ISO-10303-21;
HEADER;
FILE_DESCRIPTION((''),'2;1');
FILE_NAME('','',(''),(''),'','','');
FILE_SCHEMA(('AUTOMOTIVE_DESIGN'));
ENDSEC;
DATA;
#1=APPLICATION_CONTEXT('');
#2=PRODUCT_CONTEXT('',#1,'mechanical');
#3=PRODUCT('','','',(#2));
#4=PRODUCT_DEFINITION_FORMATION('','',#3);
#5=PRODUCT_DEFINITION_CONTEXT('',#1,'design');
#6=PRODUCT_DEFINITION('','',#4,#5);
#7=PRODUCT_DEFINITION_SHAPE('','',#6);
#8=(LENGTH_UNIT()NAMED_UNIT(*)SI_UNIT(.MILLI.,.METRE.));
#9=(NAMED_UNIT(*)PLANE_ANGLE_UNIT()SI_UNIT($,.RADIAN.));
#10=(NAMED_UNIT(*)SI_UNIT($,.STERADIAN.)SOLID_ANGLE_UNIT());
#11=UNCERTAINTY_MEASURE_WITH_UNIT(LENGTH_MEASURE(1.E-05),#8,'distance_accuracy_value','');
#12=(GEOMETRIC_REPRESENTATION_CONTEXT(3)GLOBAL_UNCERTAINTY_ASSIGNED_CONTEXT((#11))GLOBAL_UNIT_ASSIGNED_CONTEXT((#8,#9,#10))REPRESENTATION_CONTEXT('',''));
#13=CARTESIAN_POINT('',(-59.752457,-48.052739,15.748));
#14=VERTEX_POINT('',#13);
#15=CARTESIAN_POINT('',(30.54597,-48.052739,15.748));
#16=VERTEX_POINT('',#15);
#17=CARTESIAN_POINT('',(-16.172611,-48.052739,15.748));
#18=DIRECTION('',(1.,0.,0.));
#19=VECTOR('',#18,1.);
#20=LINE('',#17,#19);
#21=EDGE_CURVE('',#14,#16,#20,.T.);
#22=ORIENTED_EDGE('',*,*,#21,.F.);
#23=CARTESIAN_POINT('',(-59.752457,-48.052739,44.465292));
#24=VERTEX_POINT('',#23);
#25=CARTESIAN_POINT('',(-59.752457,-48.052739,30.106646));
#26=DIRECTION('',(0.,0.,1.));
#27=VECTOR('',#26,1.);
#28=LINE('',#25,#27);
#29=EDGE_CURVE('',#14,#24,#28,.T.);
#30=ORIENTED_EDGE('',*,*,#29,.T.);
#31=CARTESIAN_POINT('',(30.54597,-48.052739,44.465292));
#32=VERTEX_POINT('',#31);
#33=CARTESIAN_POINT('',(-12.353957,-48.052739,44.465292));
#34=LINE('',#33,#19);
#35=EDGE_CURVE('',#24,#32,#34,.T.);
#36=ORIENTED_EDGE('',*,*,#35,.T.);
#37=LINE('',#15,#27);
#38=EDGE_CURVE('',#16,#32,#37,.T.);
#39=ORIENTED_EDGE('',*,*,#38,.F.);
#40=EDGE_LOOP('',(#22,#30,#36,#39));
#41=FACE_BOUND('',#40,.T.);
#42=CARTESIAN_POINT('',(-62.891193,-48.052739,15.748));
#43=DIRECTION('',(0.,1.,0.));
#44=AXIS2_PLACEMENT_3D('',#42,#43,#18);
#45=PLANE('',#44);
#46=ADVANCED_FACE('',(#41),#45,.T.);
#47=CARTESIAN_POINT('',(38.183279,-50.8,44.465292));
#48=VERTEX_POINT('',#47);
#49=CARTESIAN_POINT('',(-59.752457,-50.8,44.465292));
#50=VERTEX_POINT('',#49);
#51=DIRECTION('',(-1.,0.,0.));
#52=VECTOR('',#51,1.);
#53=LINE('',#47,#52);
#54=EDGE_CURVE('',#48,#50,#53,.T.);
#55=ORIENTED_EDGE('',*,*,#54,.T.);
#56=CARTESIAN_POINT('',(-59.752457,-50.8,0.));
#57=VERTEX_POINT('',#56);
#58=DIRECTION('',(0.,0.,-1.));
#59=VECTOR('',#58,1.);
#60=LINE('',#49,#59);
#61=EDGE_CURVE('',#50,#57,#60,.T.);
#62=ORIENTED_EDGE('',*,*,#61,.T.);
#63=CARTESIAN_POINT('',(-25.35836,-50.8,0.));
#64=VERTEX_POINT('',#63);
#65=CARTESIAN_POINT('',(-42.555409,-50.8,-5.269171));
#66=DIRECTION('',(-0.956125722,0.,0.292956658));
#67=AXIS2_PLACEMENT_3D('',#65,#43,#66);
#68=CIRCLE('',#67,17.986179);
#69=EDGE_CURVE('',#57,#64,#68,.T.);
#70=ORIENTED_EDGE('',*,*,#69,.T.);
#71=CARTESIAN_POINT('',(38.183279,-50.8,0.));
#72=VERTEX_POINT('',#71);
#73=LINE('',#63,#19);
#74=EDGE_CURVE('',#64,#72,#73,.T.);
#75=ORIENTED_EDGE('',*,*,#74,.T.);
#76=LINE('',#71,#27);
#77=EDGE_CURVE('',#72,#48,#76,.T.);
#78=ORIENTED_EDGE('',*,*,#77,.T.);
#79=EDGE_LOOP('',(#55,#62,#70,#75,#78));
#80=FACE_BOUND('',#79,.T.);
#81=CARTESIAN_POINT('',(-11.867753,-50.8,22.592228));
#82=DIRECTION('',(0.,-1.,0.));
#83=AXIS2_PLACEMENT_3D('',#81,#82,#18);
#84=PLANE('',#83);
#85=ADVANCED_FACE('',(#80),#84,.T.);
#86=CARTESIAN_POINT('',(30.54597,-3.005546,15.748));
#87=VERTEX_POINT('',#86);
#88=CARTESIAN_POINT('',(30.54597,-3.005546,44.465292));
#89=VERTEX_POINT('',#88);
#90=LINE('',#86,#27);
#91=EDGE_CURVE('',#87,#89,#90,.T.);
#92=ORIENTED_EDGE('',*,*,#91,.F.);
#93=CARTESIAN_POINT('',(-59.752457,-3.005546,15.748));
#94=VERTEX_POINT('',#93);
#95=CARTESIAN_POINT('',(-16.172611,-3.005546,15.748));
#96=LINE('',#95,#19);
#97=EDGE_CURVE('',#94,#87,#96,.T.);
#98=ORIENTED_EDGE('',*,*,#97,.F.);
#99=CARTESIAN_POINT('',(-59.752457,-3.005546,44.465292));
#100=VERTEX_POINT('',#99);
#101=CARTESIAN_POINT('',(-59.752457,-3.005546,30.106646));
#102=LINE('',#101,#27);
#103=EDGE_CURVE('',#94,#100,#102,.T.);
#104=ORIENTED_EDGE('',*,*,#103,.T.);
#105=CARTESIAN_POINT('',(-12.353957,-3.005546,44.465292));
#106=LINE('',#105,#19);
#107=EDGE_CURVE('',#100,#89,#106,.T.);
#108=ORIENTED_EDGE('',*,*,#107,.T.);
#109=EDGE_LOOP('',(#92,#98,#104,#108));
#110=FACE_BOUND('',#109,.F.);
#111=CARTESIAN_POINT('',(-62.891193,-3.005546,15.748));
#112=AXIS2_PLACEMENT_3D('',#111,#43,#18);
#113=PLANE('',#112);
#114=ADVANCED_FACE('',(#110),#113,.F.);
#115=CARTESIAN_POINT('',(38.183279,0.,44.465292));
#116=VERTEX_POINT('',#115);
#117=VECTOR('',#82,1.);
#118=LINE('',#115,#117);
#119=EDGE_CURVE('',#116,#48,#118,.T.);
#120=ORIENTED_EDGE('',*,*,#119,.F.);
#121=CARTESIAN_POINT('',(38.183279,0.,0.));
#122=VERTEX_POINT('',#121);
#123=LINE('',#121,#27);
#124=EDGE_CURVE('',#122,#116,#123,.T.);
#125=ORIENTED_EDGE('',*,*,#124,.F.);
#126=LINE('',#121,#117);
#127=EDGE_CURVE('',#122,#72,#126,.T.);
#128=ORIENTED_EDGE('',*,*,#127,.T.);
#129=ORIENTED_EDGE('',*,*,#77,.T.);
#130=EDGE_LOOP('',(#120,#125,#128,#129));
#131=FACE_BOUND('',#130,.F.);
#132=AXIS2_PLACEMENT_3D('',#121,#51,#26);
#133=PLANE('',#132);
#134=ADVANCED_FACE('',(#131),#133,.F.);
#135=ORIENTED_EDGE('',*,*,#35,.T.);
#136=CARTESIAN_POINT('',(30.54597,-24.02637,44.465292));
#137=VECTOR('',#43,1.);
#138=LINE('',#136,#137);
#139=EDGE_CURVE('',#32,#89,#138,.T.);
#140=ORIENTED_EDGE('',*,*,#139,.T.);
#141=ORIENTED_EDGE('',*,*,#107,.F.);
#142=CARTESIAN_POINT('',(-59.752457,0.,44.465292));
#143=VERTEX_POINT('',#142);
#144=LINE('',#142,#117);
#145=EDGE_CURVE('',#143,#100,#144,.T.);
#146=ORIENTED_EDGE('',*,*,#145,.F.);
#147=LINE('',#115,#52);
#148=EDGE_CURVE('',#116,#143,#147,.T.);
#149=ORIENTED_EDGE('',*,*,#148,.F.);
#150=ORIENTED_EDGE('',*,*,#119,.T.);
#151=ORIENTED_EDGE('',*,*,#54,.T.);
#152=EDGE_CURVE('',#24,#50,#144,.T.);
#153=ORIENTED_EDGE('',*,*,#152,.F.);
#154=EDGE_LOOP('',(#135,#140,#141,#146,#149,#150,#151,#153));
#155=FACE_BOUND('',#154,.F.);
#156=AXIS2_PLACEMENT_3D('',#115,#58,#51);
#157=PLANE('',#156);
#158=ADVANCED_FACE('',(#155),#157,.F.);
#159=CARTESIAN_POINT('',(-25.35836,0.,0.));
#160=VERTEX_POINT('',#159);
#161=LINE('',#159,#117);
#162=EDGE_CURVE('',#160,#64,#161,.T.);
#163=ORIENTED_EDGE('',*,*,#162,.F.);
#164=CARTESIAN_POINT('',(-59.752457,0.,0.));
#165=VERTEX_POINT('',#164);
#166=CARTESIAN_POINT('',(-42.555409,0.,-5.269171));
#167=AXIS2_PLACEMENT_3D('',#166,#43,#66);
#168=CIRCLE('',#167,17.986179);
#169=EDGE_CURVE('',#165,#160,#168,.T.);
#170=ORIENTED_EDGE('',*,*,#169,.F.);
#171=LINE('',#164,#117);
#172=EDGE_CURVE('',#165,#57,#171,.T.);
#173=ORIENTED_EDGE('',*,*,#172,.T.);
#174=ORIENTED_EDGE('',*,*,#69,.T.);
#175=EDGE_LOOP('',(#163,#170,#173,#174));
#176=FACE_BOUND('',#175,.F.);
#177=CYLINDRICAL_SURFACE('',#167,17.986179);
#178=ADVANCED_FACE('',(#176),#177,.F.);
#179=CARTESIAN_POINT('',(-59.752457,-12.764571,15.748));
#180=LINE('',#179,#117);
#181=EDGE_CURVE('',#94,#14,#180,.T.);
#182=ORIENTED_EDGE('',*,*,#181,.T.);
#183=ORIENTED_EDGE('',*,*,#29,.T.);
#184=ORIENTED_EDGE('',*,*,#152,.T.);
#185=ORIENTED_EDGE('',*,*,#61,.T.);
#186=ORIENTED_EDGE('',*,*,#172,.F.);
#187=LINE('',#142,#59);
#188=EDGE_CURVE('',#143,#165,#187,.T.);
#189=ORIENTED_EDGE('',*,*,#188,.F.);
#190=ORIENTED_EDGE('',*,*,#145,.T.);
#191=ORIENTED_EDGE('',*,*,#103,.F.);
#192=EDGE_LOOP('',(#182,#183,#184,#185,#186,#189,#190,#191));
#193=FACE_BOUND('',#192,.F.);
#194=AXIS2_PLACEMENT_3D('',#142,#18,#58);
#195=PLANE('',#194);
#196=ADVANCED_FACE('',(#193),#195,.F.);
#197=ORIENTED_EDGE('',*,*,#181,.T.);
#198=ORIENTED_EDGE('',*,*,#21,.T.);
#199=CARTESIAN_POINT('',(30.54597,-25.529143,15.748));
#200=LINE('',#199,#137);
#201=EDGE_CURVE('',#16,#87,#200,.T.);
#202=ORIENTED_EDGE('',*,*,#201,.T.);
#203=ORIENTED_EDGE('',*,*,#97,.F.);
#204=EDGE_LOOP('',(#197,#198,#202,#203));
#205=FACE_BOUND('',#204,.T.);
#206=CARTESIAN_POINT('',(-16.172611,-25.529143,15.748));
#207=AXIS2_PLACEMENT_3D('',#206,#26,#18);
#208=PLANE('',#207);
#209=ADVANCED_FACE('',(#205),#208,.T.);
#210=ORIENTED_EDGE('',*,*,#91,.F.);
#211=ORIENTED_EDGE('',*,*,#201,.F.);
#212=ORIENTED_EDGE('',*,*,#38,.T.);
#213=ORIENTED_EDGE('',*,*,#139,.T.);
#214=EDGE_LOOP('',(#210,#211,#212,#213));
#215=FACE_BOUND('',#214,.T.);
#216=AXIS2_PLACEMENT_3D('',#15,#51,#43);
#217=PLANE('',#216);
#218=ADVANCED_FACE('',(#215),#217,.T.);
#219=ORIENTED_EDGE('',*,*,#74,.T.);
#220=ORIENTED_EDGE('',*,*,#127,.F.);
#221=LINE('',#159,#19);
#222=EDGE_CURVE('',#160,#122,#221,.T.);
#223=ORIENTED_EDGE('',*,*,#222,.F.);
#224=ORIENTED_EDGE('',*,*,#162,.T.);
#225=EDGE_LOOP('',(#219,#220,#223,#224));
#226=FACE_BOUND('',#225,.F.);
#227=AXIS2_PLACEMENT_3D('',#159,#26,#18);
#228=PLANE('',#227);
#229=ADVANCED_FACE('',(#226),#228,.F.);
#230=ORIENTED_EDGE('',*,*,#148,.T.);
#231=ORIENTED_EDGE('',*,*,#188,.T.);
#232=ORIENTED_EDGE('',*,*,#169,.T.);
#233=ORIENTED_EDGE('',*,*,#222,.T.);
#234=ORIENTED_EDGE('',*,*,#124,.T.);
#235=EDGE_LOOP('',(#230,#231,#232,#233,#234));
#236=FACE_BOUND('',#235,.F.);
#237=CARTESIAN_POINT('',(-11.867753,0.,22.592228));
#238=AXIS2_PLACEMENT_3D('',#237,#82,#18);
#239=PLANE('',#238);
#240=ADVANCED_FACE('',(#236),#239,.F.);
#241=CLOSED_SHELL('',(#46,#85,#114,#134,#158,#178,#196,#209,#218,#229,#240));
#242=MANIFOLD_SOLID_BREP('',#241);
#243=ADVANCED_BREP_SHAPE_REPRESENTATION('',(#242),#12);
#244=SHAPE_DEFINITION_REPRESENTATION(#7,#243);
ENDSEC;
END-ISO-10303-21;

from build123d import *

# Parameters (mm, degrees)
F1_DEPTH = 50.8
F3_START = 15.748
F2_W     = 93.4371631593
F2_H     = 45.0471930671
F3_DEPTH = 50.038


with BuildPart() as f1:
    # F0 (on Front) → F1 (new body)
    with BuildSketch(Plane.XZ):
        with BuildLine():
            Line((-25.3583602607, 0), (38.1832793355, 0))
            Line((38.1832793355, 0), (38.1832793355, 44.4652916014))
            Line((38.1832793355, 44.4652916014), (-59.7524568439, 44.4652916014))
            Line((-59.7524568439, 44.4652916014), (-59.7524568439, 0))
            ThreePointArc((-59.7524568439, 0), (-42.5554085523, 12.7170080369), (-25.3583602607, 0))
        make_face()
    extrude(amount=F1_DEPTH)

    # F2 (on Top) → F3 (cut)
    with BuildSketch(Plane.XY.offset(F3_START)):
        with Locations((-16.1726111546, -25.5291428184)):
            Rectangle(F2_W, F2_H)
    extrude(amount=F3_DEPTH, mode=Mode.SUBTRACT)


solid = f1.part
